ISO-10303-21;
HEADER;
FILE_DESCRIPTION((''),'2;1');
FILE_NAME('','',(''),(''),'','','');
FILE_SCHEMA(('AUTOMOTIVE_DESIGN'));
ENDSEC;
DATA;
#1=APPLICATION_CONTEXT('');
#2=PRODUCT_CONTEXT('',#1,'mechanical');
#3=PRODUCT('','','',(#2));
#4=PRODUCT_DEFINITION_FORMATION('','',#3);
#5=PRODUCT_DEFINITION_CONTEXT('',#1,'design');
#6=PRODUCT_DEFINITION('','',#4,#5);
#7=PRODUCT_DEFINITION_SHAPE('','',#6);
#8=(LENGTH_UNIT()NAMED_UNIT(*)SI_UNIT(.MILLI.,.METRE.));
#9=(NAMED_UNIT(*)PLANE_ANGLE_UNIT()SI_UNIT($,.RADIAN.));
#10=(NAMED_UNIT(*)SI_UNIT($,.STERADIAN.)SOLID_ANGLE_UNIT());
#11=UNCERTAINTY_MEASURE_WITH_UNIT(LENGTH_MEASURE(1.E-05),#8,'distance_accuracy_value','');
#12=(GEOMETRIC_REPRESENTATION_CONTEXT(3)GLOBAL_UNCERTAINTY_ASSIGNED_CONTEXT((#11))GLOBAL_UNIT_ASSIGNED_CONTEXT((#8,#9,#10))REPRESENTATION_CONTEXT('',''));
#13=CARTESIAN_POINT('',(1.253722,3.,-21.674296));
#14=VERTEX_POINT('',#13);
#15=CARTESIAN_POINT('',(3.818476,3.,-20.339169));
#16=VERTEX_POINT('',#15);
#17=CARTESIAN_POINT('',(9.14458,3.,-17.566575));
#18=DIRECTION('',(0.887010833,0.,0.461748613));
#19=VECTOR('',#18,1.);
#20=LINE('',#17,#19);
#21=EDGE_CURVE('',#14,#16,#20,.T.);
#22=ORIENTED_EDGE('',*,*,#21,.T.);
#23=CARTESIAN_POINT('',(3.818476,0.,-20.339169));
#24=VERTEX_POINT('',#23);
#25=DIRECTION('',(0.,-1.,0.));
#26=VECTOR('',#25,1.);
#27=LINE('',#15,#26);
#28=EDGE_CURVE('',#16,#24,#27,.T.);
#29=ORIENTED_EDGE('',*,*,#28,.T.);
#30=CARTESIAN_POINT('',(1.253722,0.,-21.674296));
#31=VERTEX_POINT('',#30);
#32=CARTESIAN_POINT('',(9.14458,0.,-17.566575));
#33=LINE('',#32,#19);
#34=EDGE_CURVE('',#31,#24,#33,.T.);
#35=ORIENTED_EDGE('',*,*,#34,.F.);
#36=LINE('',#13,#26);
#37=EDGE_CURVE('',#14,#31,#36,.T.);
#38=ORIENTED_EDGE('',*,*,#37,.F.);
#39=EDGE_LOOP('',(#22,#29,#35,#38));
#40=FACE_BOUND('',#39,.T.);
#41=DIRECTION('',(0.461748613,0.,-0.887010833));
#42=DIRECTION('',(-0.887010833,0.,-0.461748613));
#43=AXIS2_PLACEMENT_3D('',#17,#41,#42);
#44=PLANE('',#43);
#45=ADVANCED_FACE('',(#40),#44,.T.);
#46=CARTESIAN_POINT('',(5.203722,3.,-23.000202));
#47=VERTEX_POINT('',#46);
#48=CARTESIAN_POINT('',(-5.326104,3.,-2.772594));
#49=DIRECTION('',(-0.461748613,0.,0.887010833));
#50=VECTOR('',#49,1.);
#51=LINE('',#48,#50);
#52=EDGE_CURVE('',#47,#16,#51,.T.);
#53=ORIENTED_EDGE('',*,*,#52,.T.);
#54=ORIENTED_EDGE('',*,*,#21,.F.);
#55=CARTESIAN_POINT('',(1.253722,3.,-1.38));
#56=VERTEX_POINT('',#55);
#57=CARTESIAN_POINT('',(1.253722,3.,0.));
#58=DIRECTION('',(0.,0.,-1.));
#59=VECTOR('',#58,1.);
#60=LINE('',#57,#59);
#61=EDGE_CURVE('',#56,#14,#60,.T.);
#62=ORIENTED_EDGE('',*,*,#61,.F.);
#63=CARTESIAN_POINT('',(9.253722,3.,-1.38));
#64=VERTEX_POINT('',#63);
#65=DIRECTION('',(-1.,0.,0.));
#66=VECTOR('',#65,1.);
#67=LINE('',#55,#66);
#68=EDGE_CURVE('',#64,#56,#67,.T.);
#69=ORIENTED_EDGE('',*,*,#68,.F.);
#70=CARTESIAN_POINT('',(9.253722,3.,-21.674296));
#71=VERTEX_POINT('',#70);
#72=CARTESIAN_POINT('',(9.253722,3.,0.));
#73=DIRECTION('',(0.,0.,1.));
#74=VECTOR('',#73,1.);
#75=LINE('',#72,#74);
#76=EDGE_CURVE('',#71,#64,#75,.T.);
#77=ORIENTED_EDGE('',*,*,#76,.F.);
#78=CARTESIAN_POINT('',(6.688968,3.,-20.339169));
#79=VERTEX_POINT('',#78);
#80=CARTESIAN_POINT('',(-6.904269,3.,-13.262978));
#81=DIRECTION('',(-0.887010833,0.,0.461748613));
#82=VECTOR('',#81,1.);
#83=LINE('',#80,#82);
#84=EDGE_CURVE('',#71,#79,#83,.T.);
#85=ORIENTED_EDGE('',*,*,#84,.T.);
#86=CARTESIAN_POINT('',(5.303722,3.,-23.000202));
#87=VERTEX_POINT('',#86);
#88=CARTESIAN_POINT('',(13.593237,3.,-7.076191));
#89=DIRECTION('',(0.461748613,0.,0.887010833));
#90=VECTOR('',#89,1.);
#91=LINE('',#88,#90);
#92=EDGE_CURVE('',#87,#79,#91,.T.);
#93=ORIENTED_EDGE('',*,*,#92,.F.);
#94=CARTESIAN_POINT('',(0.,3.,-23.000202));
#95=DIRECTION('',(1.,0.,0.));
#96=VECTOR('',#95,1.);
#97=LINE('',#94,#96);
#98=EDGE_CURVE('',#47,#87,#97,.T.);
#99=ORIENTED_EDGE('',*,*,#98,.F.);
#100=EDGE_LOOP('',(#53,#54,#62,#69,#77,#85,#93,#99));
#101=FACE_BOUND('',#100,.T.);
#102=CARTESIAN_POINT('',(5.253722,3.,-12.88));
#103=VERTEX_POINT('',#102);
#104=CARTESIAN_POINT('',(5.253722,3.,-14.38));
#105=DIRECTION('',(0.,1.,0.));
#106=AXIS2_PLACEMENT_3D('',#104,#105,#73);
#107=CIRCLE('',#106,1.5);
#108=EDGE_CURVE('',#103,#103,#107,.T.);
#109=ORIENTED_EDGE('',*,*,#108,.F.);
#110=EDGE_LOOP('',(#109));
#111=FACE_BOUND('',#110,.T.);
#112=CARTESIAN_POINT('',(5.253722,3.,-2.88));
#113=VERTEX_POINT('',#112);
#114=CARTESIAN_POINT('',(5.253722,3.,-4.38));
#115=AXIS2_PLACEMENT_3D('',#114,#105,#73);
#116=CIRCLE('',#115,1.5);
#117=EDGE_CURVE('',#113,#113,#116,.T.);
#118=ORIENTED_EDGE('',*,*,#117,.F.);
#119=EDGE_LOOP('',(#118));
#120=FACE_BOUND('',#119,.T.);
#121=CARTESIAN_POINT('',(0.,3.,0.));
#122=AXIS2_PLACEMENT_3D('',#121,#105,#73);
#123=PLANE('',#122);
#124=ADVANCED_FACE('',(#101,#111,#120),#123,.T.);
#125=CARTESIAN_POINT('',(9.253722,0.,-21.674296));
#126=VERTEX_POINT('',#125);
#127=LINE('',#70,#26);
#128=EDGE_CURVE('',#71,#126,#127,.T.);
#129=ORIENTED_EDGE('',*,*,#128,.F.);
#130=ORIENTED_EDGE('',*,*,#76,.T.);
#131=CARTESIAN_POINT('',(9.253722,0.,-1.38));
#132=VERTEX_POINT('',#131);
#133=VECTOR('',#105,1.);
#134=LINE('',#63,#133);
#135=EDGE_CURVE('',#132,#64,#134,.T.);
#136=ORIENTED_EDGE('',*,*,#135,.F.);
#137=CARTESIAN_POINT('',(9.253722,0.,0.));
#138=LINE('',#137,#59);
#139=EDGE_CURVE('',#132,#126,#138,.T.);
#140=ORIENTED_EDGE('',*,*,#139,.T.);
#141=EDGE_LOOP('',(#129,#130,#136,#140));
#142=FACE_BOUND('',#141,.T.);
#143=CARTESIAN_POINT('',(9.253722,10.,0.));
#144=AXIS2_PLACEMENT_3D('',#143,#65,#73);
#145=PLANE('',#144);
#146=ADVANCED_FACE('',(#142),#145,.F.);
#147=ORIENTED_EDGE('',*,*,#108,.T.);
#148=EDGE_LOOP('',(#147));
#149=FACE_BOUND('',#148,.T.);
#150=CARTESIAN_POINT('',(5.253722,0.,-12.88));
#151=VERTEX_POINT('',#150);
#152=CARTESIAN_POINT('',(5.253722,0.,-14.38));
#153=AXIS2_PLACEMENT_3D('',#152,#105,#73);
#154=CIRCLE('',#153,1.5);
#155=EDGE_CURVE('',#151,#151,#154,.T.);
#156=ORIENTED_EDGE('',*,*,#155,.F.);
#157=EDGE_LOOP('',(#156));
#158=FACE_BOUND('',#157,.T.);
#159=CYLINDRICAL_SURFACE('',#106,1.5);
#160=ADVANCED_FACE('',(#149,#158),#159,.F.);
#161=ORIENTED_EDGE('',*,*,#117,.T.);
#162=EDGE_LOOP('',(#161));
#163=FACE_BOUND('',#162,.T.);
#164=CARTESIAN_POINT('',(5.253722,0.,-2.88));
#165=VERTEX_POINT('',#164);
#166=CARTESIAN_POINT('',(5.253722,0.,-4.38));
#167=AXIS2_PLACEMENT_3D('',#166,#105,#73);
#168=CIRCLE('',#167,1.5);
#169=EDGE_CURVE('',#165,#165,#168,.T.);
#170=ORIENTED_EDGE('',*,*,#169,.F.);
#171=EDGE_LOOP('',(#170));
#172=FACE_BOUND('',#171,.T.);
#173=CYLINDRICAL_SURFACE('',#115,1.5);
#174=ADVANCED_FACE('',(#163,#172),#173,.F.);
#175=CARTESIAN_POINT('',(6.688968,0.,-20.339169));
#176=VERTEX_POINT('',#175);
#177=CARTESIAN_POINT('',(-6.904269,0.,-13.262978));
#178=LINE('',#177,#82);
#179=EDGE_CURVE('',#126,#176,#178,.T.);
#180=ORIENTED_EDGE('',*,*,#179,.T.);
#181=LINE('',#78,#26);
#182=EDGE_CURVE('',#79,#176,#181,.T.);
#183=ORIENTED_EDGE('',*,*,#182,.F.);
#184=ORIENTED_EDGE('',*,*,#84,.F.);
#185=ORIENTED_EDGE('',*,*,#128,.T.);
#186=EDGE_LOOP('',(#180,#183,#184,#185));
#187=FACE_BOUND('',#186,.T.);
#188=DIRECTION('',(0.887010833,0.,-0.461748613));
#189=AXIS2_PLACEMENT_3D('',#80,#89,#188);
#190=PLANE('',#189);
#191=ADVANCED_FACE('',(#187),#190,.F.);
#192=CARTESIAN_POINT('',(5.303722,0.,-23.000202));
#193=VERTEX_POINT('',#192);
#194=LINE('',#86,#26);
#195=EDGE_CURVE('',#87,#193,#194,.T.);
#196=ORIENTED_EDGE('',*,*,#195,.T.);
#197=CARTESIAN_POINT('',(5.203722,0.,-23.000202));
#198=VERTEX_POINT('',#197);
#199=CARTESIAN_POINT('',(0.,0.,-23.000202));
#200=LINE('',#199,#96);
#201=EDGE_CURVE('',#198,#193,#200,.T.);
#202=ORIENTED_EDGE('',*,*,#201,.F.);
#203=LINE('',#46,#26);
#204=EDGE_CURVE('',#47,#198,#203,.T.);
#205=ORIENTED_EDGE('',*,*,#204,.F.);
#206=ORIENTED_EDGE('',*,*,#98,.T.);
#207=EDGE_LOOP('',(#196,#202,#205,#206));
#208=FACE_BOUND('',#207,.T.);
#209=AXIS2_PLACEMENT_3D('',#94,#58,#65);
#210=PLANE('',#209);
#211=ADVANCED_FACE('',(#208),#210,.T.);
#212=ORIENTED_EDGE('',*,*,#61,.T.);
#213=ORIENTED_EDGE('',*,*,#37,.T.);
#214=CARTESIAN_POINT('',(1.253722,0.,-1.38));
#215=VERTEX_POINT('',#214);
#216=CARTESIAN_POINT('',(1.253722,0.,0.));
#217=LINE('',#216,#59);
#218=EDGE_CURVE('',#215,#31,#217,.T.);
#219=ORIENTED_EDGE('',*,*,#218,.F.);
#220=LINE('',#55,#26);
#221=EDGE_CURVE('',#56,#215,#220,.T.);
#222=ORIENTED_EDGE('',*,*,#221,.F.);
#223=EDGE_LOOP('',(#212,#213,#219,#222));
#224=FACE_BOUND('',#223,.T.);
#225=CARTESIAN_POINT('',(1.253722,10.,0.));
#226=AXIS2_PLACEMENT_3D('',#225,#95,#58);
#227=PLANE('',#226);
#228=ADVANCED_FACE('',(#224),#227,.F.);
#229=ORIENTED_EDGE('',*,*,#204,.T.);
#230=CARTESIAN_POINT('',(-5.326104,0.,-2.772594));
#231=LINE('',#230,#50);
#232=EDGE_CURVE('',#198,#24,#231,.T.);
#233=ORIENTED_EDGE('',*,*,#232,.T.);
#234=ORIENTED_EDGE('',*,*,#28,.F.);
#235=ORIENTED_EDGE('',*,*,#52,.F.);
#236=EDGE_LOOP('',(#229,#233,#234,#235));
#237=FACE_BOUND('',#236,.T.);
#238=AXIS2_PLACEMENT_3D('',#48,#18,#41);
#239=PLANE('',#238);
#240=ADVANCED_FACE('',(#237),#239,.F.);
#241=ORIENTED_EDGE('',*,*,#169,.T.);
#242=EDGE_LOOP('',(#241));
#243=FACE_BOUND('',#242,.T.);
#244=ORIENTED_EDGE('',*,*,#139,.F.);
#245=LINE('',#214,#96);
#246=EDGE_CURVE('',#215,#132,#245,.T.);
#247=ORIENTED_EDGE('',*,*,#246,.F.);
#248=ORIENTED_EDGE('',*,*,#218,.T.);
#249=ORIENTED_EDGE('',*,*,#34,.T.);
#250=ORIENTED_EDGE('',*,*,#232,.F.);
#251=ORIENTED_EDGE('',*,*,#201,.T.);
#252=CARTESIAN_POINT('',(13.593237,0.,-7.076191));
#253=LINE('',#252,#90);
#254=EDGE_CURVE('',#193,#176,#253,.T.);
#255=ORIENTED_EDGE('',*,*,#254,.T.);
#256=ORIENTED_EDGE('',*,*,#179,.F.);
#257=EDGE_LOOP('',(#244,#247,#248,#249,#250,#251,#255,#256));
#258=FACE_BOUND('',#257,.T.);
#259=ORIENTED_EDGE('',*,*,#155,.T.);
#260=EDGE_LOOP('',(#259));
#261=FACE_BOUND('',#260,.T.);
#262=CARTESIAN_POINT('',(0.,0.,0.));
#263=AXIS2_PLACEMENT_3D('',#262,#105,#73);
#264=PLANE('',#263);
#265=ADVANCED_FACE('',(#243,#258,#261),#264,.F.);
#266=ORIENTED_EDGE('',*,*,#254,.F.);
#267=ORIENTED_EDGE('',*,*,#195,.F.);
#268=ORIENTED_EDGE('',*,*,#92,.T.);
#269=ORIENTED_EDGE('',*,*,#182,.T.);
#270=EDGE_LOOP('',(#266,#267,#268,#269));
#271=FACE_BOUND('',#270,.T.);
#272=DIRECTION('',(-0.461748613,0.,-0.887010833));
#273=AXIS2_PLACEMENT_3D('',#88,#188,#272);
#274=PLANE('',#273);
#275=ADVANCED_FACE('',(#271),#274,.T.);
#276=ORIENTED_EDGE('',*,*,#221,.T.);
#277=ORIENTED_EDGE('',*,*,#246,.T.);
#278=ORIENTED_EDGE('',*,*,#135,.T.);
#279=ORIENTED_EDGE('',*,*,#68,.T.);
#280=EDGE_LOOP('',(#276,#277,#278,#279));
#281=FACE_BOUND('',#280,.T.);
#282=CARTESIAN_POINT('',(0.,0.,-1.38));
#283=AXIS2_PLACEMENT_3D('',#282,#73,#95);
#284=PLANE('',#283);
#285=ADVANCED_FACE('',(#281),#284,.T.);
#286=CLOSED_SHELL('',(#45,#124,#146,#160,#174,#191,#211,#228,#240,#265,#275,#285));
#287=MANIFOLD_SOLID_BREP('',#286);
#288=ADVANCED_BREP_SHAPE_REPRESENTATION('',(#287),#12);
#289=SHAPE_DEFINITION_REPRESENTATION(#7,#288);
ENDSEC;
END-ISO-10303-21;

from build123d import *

# Parameters (mm, degrees)
BOSS_EXTRUDE3_DEPTH      = 3
M3_CLEARANCE_HOLE1_D     = 3
M3_CLEARANCE_HOLE1_DEPTH = 10
M3_CLEARANCE_HOLE1_TIP   = 0.901290929
SKETCH5_W                = 0.5
SKETCH5_H                = 21.724414851
CUT_EXTRUDE1_DEPTH       = 10
SKETCH6_W                = 8
SKETCH6_H                = 3
CUT_EXTRUDE2_DEPTH       = 1.38


with BuildPart() as part:
    # Sketch1 → Boss-Extrude3 (new body)
    with BuildSketch(Plane(origin=(0, 0, 0), x_dir=(1, 0, 0), z_dir=(0, 1, 0))):
        Polygon((5.303721661, 23.00020151), (5.253721661, 23.00020151), (5.253721661, 0), (9.753721661, 0), (9.753721661, 21.724414851), (9.35, 21.724414851), (6.6889675, 20.339169011), align=None)
        Polygon((3.818475821, 20.339169011), (1.157443322, 21.724414851), (0.753721661, 21.724414851), (0.753721661, 0), (5.253721661, 0), (5.253721661, 23.00020151), (5.203721661, 23.00020151), align=None)
    extrude(amount=BOSS_EXTRUDE3_DEPTH)

    # M3 Clearance Hole1
    with Locations(Plane(origin=(5.253721661, 3, -14.38), x_dir=(0, 0, 1), z_dir=(0, 1, 0))):
        with Locations((0, 0), (10, 0)):
            Hole(M3_CLEARANCE_HOLE1_D / 2, depth=M3_CLEARANCE_HOLE1_DEPTH)
            with Locations((0, 0, -(M3_CLEARANCE_HOLE1_DEPTH + M3_CLEARANCE_HOLE1_TIP / 2))):  # 118° drill point
                Cone(0, M3_CLEARANCE_HOLE1_D / 2, M3_CLEARANCE_HOLE1_TIP, mode=Mode.SUBTRACT)

    # Sketch5 → Cut-Extrude1 (cut)
    with BuildSketch(Plane(origin=(0, 0, 0), x_dir=(-1, 0, 0), z_dir=(0, -1, 0))):
        with Locations((-1.003721661, 10.862207426)):
            Rectangle(SKETCH5_W, SKETCH5_H)
        with Locations((-9.503721661, 10.862207426)):
            Rectangle(SKETCH5_W, SKETCH5_H)
    extrude(amount=-CUT_EXTRUDE1_DEPTH, mode=Mode.SUBTRACT)

    # Sketch6 → Cut-Extrude2 (cut)
    with BuildSketch(Plane.XY):
        with Locations((5.253721661, 1.5)):
            Rectangle(SKETCH6_W, SKETCH6_H)
    extrude(amount=-CUT_EXTRUDE2_DEPTH, mode=Mode.SUBTRACT)


solid = part.part
